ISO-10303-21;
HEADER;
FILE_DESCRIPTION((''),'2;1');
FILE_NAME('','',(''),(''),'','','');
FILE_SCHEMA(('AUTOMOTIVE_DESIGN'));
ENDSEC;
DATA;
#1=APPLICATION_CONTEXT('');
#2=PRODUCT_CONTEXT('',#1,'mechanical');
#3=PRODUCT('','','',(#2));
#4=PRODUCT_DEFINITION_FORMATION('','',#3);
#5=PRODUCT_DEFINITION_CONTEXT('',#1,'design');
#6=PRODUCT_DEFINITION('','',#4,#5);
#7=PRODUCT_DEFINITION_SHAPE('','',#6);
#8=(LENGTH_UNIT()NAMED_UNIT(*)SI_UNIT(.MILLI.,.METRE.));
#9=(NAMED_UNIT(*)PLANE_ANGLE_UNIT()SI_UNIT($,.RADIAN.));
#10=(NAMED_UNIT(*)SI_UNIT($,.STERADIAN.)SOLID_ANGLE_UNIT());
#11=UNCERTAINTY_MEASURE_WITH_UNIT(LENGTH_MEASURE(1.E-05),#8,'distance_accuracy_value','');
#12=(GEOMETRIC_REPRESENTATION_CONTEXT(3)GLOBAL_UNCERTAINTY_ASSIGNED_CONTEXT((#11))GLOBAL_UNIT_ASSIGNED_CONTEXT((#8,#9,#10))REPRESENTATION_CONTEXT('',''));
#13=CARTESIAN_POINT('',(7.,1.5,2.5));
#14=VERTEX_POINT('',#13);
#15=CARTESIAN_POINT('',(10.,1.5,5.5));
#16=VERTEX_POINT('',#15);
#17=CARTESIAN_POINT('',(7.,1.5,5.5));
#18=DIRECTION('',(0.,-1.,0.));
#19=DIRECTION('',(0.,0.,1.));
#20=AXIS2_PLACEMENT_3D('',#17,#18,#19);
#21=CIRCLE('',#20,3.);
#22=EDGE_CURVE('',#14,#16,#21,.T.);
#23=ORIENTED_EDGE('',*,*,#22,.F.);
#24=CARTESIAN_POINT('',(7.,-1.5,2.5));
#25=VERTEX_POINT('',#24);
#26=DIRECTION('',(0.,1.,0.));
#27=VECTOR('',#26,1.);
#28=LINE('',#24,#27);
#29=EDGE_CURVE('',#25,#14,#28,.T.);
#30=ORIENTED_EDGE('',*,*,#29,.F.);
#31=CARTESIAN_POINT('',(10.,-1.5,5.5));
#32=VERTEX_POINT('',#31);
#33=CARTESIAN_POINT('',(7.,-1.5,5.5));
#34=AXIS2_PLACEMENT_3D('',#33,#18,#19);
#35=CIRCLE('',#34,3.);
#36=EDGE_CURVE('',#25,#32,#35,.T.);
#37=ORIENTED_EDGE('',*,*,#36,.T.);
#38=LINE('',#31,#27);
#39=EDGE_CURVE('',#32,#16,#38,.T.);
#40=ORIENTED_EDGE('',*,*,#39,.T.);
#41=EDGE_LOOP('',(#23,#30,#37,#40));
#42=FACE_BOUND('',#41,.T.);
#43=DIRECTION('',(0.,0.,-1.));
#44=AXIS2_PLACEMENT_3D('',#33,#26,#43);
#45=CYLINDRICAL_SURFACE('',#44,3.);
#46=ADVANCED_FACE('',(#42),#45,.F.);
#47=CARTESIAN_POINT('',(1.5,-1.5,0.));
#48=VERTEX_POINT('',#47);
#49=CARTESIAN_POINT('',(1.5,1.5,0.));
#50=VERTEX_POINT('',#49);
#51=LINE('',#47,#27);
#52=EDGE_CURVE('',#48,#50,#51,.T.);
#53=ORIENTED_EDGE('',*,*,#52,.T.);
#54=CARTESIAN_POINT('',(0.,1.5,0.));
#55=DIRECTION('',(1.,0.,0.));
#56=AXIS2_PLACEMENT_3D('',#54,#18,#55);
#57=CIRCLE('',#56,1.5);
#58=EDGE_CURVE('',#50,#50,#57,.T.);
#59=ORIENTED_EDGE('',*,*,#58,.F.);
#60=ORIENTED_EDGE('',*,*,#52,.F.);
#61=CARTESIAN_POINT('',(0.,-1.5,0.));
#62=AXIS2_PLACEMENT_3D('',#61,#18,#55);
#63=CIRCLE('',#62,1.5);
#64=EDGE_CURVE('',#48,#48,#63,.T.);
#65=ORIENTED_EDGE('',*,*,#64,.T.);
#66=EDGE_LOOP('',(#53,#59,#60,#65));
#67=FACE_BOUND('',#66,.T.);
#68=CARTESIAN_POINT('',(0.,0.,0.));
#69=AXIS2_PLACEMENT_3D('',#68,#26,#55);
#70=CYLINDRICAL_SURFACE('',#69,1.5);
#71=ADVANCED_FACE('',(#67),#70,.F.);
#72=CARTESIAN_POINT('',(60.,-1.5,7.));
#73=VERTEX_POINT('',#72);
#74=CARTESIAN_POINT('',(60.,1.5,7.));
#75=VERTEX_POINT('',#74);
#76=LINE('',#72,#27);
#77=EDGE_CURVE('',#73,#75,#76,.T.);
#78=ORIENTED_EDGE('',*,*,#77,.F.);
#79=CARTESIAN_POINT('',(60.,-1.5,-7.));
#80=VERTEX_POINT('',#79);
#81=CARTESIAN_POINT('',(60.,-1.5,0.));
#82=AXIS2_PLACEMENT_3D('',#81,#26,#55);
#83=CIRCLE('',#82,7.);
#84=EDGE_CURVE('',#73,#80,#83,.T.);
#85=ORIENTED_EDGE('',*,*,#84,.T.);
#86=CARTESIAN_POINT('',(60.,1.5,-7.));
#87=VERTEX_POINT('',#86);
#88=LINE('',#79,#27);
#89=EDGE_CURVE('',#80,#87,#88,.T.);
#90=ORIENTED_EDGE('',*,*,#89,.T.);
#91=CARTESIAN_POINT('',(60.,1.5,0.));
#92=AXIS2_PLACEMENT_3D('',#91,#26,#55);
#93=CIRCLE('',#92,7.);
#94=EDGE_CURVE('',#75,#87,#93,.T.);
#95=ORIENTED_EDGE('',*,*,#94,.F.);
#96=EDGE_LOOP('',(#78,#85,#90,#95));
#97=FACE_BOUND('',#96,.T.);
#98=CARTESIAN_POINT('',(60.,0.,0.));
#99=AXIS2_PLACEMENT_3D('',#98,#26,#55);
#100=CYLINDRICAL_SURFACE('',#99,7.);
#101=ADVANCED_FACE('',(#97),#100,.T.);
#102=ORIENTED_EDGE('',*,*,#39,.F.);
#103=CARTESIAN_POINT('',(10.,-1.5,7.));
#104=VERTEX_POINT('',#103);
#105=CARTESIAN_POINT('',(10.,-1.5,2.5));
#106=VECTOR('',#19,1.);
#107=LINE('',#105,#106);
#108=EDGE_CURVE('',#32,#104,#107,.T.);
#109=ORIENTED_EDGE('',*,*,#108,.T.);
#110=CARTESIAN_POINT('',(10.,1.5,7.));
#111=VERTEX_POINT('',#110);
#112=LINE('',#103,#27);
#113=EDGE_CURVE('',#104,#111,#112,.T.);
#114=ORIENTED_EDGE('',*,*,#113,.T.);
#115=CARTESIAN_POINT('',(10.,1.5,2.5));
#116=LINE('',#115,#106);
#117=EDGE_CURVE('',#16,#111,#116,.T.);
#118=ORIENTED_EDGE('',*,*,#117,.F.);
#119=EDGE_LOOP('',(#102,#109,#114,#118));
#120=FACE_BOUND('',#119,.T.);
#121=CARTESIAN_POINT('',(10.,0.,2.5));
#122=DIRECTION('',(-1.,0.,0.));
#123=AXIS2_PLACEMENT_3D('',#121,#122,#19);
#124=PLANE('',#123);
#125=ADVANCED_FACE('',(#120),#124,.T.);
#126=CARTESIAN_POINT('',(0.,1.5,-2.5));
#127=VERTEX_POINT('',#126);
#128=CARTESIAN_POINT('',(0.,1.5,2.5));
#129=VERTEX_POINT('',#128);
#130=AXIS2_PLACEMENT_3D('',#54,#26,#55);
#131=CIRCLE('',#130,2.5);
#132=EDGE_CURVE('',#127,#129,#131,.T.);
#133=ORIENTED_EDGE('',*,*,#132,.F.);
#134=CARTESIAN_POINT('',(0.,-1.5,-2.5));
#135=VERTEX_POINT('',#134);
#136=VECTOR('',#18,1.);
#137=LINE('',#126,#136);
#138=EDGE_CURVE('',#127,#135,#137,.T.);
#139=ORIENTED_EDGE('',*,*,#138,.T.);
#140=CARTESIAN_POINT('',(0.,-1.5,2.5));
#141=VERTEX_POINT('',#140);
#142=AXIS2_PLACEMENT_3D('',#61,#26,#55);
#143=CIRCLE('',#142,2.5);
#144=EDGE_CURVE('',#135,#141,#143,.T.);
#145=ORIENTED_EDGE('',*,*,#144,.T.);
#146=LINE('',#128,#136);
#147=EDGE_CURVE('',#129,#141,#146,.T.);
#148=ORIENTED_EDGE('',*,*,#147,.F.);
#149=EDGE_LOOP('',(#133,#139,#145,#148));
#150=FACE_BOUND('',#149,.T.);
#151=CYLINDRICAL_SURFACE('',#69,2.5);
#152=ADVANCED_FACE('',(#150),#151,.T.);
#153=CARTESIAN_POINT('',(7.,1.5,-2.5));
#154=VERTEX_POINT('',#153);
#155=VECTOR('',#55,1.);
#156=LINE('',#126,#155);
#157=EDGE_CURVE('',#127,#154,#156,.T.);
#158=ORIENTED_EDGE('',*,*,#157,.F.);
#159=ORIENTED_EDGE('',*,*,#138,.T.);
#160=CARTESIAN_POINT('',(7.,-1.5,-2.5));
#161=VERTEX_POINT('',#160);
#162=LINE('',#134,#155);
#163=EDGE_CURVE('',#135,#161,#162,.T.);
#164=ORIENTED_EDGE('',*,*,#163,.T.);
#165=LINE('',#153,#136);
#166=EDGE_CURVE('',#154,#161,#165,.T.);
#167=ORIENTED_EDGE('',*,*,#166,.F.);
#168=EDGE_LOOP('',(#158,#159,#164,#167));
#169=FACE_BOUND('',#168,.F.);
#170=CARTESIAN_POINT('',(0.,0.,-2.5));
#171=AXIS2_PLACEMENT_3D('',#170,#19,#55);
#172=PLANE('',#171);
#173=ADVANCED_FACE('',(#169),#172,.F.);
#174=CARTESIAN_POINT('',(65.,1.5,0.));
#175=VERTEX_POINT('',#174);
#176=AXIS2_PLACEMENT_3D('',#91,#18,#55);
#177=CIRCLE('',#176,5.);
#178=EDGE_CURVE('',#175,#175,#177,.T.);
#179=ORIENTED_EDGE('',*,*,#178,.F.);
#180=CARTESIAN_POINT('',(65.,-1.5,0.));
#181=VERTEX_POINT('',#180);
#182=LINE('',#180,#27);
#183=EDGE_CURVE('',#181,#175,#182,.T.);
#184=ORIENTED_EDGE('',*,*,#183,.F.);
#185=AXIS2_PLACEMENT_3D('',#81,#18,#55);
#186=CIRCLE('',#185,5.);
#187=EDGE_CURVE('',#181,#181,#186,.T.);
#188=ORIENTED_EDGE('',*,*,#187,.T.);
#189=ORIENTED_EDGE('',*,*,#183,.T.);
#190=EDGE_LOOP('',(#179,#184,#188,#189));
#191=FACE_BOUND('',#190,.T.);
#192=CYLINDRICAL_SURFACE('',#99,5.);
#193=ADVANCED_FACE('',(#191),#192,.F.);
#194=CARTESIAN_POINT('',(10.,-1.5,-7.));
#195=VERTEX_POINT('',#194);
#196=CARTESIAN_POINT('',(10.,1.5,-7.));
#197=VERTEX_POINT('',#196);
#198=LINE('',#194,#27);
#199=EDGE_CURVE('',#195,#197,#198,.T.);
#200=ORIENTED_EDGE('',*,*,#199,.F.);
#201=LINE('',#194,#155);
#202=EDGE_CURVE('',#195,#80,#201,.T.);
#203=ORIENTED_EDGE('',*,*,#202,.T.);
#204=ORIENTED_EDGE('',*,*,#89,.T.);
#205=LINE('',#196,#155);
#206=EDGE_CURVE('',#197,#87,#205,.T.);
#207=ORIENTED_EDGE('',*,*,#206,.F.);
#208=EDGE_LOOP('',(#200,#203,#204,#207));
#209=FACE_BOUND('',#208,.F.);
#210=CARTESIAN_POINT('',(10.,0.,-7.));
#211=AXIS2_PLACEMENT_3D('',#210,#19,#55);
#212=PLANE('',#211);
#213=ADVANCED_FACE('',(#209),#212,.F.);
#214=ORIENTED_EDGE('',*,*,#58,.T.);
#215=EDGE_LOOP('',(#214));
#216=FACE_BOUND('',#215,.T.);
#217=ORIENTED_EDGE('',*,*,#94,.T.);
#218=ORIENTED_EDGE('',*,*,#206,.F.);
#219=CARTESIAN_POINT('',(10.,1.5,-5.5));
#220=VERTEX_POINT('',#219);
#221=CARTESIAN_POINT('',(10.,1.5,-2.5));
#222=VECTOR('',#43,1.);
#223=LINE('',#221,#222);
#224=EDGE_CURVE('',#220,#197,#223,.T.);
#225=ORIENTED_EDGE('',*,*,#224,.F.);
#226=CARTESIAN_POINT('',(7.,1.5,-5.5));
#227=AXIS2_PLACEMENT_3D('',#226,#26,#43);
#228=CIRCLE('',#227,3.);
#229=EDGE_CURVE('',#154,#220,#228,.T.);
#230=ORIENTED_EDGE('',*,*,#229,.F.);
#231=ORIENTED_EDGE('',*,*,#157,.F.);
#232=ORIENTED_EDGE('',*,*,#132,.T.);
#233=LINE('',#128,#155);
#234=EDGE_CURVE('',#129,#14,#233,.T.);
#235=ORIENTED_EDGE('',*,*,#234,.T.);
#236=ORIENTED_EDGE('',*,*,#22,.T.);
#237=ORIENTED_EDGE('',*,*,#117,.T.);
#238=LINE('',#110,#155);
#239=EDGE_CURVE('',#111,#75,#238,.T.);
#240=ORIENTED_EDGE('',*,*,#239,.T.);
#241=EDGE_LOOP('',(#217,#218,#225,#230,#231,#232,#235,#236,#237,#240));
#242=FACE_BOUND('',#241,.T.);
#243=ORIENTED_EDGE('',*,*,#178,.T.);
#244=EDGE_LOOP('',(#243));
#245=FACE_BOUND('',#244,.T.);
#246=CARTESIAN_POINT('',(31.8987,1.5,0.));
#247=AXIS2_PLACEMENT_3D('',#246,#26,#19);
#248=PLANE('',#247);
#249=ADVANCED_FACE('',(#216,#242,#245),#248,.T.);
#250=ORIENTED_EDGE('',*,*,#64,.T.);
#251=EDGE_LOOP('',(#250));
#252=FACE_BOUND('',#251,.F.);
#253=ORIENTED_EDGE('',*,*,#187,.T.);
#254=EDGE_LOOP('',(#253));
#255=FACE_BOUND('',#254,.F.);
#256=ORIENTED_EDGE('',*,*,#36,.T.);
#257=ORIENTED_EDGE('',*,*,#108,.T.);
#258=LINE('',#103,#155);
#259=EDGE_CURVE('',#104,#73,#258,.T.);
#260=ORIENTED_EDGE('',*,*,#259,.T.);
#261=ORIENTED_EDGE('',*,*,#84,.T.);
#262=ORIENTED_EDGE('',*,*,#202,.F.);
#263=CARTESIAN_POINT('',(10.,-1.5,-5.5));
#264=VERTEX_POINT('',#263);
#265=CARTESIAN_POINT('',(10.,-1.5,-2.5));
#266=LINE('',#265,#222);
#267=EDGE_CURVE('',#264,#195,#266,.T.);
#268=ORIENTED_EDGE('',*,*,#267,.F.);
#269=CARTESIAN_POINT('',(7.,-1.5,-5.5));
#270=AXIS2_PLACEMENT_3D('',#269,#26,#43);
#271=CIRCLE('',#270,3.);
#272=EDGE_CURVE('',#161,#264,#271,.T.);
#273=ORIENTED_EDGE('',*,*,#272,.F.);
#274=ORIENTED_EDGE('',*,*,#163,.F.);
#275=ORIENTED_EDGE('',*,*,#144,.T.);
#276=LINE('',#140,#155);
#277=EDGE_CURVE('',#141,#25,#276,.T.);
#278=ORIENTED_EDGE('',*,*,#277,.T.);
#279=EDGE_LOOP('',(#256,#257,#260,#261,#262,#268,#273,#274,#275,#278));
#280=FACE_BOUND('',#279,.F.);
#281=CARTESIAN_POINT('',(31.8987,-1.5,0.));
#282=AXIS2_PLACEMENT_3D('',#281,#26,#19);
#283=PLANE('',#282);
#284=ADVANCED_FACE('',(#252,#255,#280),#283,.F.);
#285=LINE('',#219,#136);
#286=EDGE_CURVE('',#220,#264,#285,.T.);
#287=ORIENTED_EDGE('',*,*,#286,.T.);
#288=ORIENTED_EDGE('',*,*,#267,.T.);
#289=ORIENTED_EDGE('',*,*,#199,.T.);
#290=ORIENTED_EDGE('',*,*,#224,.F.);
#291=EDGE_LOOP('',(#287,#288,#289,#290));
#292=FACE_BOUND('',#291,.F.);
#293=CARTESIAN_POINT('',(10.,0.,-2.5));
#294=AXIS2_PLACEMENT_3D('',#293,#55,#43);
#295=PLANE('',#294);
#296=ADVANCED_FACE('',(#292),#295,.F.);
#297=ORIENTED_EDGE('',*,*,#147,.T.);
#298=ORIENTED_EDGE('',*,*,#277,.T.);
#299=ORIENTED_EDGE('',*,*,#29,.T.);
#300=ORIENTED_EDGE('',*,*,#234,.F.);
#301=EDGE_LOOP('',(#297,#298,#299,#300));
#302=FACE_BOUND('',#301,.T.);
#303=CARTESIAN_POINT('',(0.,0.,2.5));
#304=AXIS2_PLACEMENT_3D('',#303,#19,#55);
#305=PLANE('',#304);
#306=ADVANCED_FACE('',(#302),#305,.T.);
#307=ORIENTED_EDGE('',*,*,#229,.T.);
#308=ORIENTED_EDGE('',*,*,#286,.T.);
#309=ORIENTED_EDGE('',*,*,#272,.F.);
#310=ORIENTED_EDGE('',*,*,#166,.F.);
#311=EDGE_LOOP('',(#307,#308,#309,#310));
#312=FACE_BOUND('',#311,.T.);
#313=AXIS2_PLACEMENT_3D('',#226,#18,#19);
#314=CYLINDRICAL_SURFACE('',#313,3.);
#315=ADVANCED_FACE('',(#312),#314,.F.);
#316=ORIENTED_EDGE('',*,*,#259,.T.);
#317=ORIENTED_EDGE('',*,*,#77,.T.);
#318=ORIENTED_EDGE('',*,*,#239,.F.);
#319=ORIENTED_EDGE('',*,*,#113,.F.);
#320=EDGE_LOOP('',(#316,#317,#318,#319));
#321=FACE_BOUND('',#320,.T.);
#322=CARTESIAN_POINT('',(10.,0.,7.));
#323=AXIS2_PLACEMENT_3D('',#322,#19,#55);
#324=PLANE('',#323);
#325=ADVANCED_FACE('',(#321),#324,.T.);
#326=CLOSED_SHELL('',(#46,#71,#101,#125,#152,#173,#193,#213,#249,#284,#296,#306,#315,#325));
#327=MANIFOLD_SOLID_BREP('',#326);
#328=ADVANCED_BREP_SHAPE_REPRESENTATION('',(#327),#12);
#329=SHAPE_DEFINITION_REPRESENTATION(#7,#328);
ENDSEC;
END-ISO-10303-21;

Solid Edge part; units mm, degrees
sketch "Sketch1" plane through (0, 0, 0) normal (0, -1, 0) x (1, 0, 0)
  circle A0 centre (0, 0) radius 1.5
  line L0 (0, 2.5) -> (10, 2.5)
  line L1 (10, 2.5) -> (10, 7)
  line L2 (10, 7) -> (60, 7)
  line L3 (10, -7) -> (60, -7)
  line L4 (10, -2.5) -> (10, -7)
  line L5 (0, -2.5) -> (10, -2.5)
  arc A1 (0, -2.5) -> (0, 2.5) centre (0, 0) cw
  arc A2 (60, 7) -> (60, -7) centre (60, 0) cw
  circle A3 centre (60, 0) radius 5
extrude "Protrusion1" add sketch "Sketch1" along normal mid plane 3
fillet "Redondeo_1" radius 3 2 edges at (10, 0, 2.5) (10, 0, -2.5)
properties part number "1976-1500-003" material "Aluminio, 7075-T6"
